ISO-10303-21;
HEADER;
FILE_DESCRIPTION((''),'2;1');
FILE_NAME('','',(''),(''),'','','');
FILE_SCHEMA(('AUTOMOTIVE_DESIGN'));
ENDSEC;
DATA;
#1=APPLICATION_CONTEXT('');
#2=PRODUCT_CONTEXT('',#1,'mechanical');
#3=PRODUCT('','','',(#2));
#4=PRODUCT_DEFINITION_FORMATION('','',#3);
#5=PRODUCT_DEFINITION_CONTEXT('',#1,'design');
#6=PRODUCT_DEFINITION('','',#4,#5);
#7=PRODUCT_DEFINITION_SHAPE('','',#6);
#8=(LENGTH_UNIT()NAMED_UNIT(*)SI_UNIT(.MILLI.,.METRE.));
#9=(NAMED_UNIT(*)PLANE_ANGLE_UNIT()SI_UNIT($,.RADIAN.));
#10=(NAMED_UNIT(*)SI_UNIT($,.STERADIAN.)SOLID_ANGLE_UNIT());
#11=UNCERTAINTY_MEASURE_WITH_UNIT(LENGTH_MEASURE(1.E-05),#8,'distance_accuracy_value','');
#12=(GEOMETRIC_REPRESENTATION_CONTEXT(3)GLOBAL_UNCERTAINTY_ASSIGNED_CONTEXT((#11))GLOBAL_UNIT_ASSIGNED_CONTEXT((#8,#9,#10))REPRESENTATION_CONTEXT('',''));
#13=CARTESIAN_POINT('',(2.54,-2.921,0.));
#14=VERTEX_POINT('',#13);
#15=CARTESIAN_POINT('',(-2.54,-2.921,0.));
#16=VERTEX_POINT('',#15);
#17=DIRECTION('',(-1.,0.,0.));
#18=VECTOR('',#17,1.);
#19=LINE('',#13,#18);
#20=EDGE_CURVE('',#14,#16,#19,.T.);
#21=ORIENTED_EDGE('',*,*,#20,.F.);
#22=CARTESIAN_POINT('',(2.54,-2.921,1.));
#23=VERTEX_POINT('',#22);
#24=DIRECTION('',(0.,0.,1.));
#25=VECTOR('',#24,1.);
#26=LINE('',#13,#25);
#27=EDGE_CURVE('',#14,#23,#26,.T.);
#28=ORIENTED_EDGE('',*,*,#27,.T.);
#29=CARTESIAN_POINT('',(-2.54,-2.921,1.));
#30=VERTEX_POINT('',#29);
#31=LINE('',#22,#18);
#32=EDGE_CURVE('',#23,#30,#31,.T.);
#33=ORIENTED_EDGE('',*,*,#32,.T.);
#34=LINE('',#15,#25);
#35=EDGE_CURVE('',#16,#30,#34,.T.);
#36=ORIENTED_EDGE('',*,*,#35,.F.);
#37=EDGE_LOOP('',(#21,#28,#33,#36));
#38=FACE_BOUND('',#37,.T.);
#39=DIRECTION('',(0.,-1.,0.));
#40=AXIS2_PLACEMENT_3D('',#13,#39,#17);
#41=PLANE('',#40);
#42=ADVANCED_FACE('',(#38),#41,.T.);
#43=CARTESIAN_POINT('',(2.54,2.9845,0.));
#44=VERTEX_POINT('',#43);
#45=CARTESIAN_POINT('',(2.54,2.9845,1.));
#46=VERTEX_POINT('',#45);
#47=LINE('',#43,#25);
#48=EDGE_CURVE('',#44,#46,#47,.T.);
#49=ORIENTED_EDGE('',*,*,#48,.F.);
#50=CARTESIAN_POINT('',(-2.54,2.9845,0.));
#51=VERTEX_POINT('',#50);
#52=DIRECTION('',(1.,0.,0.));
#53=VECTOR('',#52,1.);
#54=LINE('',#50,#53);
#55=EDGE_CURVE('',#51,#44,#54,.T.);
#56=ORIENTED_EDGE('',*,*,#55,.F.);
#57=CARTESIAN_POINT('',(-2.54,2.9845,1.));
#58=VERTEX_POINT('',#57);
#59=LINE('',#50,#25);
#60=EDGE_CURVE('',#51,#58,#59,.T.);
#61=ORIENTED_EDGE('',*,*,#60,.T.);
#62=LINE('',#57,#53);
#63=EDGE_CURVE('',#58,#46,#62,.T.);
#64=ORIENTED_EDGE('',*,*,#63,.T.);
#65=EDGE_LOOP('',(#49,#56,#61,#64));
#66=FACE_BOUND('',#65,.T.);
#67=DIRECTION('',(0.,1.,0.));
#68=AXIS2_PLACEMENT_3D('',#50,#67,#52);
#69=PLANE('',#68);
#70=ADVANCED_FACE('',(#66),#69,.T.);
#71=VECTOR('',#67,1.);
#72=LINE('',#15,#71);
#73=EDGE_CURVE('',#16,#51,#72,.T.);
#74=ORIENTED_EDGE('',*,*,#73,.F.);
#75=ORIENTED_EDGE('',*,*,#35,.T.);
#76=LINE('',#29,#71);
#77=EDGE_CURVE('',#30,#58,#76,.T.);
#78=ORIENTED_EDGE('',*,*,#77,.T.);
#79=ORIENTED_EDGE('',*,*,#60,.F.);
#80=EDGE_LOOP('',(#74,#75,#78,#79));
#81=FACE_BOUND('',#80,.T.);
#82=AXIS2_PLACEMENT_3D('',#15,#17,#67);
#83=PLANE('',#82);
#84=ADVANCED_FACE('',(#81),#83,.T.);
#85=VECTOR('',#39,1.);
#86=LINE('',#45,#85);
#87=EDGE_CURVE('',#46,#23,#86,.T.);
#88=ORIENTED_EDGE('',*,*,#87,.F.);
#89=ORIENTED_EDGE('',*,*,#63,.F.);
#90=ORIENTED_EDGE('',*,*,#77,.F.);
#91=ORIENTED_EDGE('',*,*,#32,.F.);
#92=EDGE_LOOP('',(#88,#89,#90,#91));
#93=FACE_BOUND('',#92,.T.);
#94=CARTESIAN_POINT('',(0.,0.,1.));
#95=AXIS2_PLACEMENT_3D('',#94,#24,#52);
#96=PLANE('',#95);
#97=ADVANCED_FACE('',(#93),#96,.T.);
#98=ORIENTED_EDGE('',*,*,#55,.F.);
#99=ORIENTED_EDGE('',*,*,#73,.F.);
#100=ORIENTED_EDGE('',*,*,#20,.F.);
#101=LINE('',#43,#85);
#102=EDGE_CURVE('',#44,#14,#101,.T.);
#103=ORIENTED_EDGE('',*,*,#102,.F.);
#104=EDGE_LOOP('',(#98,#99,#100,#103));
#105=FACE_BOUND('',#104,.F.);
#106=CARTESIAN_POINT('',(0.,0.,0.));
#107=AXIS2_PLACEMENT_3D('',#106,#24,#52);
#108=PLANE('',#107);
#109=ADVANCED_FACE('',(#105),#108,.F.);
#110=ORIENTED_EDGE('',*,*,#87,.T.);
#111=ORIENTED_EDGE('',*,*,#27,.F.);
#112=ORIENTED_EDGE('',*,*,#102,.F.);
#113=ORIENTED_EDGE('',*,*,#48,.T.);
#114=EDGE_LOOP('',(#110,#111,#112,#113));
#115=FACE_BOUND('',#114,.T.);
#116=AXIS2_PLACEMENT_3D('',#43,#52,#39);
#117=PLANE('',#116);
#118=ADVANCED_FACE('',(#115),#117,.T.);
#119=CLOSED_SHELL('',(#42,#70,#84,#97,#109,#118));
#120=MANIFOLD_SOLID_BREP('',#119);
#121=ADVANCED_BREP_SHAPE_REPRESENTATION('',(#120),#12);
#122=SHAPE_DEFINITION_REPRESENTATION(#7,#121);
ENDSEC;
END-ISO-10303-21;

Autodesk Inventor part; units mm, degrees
ref_plane "YZ Plane" through (0, 0, 0) normal (1, 0, 0) x (0, 1, 0)
ref_plane "XZ Plane" through (0, 0, 0) normal (0, 1, 0) x (-1, 0, 0)
ref_plane "XY Plane" through (0, 0, 0) normal (0, 0, 1) x (1, 0, 0)
sketch "6410-02, MOTOR_1_46" plane through (0, 0, 0) normal (0, 0, 1) x (1, 0, 0)
  line L0 (-2.54, 2.9845) -> (2.54, 2.9845)
  line L1 (2.54, 2.9845) -> (2.54, -2.921)
  line L2 (2.54, -2.921) -> (-2.54, -2.921)
  line L3 (-2.54, -2.921) -> (-2.54, 2.9845)
extrude "Extrusion1" add sketch "6410-02, MOTOR_1_46" along normal blind 1
properties part number "MOTOR_1"
